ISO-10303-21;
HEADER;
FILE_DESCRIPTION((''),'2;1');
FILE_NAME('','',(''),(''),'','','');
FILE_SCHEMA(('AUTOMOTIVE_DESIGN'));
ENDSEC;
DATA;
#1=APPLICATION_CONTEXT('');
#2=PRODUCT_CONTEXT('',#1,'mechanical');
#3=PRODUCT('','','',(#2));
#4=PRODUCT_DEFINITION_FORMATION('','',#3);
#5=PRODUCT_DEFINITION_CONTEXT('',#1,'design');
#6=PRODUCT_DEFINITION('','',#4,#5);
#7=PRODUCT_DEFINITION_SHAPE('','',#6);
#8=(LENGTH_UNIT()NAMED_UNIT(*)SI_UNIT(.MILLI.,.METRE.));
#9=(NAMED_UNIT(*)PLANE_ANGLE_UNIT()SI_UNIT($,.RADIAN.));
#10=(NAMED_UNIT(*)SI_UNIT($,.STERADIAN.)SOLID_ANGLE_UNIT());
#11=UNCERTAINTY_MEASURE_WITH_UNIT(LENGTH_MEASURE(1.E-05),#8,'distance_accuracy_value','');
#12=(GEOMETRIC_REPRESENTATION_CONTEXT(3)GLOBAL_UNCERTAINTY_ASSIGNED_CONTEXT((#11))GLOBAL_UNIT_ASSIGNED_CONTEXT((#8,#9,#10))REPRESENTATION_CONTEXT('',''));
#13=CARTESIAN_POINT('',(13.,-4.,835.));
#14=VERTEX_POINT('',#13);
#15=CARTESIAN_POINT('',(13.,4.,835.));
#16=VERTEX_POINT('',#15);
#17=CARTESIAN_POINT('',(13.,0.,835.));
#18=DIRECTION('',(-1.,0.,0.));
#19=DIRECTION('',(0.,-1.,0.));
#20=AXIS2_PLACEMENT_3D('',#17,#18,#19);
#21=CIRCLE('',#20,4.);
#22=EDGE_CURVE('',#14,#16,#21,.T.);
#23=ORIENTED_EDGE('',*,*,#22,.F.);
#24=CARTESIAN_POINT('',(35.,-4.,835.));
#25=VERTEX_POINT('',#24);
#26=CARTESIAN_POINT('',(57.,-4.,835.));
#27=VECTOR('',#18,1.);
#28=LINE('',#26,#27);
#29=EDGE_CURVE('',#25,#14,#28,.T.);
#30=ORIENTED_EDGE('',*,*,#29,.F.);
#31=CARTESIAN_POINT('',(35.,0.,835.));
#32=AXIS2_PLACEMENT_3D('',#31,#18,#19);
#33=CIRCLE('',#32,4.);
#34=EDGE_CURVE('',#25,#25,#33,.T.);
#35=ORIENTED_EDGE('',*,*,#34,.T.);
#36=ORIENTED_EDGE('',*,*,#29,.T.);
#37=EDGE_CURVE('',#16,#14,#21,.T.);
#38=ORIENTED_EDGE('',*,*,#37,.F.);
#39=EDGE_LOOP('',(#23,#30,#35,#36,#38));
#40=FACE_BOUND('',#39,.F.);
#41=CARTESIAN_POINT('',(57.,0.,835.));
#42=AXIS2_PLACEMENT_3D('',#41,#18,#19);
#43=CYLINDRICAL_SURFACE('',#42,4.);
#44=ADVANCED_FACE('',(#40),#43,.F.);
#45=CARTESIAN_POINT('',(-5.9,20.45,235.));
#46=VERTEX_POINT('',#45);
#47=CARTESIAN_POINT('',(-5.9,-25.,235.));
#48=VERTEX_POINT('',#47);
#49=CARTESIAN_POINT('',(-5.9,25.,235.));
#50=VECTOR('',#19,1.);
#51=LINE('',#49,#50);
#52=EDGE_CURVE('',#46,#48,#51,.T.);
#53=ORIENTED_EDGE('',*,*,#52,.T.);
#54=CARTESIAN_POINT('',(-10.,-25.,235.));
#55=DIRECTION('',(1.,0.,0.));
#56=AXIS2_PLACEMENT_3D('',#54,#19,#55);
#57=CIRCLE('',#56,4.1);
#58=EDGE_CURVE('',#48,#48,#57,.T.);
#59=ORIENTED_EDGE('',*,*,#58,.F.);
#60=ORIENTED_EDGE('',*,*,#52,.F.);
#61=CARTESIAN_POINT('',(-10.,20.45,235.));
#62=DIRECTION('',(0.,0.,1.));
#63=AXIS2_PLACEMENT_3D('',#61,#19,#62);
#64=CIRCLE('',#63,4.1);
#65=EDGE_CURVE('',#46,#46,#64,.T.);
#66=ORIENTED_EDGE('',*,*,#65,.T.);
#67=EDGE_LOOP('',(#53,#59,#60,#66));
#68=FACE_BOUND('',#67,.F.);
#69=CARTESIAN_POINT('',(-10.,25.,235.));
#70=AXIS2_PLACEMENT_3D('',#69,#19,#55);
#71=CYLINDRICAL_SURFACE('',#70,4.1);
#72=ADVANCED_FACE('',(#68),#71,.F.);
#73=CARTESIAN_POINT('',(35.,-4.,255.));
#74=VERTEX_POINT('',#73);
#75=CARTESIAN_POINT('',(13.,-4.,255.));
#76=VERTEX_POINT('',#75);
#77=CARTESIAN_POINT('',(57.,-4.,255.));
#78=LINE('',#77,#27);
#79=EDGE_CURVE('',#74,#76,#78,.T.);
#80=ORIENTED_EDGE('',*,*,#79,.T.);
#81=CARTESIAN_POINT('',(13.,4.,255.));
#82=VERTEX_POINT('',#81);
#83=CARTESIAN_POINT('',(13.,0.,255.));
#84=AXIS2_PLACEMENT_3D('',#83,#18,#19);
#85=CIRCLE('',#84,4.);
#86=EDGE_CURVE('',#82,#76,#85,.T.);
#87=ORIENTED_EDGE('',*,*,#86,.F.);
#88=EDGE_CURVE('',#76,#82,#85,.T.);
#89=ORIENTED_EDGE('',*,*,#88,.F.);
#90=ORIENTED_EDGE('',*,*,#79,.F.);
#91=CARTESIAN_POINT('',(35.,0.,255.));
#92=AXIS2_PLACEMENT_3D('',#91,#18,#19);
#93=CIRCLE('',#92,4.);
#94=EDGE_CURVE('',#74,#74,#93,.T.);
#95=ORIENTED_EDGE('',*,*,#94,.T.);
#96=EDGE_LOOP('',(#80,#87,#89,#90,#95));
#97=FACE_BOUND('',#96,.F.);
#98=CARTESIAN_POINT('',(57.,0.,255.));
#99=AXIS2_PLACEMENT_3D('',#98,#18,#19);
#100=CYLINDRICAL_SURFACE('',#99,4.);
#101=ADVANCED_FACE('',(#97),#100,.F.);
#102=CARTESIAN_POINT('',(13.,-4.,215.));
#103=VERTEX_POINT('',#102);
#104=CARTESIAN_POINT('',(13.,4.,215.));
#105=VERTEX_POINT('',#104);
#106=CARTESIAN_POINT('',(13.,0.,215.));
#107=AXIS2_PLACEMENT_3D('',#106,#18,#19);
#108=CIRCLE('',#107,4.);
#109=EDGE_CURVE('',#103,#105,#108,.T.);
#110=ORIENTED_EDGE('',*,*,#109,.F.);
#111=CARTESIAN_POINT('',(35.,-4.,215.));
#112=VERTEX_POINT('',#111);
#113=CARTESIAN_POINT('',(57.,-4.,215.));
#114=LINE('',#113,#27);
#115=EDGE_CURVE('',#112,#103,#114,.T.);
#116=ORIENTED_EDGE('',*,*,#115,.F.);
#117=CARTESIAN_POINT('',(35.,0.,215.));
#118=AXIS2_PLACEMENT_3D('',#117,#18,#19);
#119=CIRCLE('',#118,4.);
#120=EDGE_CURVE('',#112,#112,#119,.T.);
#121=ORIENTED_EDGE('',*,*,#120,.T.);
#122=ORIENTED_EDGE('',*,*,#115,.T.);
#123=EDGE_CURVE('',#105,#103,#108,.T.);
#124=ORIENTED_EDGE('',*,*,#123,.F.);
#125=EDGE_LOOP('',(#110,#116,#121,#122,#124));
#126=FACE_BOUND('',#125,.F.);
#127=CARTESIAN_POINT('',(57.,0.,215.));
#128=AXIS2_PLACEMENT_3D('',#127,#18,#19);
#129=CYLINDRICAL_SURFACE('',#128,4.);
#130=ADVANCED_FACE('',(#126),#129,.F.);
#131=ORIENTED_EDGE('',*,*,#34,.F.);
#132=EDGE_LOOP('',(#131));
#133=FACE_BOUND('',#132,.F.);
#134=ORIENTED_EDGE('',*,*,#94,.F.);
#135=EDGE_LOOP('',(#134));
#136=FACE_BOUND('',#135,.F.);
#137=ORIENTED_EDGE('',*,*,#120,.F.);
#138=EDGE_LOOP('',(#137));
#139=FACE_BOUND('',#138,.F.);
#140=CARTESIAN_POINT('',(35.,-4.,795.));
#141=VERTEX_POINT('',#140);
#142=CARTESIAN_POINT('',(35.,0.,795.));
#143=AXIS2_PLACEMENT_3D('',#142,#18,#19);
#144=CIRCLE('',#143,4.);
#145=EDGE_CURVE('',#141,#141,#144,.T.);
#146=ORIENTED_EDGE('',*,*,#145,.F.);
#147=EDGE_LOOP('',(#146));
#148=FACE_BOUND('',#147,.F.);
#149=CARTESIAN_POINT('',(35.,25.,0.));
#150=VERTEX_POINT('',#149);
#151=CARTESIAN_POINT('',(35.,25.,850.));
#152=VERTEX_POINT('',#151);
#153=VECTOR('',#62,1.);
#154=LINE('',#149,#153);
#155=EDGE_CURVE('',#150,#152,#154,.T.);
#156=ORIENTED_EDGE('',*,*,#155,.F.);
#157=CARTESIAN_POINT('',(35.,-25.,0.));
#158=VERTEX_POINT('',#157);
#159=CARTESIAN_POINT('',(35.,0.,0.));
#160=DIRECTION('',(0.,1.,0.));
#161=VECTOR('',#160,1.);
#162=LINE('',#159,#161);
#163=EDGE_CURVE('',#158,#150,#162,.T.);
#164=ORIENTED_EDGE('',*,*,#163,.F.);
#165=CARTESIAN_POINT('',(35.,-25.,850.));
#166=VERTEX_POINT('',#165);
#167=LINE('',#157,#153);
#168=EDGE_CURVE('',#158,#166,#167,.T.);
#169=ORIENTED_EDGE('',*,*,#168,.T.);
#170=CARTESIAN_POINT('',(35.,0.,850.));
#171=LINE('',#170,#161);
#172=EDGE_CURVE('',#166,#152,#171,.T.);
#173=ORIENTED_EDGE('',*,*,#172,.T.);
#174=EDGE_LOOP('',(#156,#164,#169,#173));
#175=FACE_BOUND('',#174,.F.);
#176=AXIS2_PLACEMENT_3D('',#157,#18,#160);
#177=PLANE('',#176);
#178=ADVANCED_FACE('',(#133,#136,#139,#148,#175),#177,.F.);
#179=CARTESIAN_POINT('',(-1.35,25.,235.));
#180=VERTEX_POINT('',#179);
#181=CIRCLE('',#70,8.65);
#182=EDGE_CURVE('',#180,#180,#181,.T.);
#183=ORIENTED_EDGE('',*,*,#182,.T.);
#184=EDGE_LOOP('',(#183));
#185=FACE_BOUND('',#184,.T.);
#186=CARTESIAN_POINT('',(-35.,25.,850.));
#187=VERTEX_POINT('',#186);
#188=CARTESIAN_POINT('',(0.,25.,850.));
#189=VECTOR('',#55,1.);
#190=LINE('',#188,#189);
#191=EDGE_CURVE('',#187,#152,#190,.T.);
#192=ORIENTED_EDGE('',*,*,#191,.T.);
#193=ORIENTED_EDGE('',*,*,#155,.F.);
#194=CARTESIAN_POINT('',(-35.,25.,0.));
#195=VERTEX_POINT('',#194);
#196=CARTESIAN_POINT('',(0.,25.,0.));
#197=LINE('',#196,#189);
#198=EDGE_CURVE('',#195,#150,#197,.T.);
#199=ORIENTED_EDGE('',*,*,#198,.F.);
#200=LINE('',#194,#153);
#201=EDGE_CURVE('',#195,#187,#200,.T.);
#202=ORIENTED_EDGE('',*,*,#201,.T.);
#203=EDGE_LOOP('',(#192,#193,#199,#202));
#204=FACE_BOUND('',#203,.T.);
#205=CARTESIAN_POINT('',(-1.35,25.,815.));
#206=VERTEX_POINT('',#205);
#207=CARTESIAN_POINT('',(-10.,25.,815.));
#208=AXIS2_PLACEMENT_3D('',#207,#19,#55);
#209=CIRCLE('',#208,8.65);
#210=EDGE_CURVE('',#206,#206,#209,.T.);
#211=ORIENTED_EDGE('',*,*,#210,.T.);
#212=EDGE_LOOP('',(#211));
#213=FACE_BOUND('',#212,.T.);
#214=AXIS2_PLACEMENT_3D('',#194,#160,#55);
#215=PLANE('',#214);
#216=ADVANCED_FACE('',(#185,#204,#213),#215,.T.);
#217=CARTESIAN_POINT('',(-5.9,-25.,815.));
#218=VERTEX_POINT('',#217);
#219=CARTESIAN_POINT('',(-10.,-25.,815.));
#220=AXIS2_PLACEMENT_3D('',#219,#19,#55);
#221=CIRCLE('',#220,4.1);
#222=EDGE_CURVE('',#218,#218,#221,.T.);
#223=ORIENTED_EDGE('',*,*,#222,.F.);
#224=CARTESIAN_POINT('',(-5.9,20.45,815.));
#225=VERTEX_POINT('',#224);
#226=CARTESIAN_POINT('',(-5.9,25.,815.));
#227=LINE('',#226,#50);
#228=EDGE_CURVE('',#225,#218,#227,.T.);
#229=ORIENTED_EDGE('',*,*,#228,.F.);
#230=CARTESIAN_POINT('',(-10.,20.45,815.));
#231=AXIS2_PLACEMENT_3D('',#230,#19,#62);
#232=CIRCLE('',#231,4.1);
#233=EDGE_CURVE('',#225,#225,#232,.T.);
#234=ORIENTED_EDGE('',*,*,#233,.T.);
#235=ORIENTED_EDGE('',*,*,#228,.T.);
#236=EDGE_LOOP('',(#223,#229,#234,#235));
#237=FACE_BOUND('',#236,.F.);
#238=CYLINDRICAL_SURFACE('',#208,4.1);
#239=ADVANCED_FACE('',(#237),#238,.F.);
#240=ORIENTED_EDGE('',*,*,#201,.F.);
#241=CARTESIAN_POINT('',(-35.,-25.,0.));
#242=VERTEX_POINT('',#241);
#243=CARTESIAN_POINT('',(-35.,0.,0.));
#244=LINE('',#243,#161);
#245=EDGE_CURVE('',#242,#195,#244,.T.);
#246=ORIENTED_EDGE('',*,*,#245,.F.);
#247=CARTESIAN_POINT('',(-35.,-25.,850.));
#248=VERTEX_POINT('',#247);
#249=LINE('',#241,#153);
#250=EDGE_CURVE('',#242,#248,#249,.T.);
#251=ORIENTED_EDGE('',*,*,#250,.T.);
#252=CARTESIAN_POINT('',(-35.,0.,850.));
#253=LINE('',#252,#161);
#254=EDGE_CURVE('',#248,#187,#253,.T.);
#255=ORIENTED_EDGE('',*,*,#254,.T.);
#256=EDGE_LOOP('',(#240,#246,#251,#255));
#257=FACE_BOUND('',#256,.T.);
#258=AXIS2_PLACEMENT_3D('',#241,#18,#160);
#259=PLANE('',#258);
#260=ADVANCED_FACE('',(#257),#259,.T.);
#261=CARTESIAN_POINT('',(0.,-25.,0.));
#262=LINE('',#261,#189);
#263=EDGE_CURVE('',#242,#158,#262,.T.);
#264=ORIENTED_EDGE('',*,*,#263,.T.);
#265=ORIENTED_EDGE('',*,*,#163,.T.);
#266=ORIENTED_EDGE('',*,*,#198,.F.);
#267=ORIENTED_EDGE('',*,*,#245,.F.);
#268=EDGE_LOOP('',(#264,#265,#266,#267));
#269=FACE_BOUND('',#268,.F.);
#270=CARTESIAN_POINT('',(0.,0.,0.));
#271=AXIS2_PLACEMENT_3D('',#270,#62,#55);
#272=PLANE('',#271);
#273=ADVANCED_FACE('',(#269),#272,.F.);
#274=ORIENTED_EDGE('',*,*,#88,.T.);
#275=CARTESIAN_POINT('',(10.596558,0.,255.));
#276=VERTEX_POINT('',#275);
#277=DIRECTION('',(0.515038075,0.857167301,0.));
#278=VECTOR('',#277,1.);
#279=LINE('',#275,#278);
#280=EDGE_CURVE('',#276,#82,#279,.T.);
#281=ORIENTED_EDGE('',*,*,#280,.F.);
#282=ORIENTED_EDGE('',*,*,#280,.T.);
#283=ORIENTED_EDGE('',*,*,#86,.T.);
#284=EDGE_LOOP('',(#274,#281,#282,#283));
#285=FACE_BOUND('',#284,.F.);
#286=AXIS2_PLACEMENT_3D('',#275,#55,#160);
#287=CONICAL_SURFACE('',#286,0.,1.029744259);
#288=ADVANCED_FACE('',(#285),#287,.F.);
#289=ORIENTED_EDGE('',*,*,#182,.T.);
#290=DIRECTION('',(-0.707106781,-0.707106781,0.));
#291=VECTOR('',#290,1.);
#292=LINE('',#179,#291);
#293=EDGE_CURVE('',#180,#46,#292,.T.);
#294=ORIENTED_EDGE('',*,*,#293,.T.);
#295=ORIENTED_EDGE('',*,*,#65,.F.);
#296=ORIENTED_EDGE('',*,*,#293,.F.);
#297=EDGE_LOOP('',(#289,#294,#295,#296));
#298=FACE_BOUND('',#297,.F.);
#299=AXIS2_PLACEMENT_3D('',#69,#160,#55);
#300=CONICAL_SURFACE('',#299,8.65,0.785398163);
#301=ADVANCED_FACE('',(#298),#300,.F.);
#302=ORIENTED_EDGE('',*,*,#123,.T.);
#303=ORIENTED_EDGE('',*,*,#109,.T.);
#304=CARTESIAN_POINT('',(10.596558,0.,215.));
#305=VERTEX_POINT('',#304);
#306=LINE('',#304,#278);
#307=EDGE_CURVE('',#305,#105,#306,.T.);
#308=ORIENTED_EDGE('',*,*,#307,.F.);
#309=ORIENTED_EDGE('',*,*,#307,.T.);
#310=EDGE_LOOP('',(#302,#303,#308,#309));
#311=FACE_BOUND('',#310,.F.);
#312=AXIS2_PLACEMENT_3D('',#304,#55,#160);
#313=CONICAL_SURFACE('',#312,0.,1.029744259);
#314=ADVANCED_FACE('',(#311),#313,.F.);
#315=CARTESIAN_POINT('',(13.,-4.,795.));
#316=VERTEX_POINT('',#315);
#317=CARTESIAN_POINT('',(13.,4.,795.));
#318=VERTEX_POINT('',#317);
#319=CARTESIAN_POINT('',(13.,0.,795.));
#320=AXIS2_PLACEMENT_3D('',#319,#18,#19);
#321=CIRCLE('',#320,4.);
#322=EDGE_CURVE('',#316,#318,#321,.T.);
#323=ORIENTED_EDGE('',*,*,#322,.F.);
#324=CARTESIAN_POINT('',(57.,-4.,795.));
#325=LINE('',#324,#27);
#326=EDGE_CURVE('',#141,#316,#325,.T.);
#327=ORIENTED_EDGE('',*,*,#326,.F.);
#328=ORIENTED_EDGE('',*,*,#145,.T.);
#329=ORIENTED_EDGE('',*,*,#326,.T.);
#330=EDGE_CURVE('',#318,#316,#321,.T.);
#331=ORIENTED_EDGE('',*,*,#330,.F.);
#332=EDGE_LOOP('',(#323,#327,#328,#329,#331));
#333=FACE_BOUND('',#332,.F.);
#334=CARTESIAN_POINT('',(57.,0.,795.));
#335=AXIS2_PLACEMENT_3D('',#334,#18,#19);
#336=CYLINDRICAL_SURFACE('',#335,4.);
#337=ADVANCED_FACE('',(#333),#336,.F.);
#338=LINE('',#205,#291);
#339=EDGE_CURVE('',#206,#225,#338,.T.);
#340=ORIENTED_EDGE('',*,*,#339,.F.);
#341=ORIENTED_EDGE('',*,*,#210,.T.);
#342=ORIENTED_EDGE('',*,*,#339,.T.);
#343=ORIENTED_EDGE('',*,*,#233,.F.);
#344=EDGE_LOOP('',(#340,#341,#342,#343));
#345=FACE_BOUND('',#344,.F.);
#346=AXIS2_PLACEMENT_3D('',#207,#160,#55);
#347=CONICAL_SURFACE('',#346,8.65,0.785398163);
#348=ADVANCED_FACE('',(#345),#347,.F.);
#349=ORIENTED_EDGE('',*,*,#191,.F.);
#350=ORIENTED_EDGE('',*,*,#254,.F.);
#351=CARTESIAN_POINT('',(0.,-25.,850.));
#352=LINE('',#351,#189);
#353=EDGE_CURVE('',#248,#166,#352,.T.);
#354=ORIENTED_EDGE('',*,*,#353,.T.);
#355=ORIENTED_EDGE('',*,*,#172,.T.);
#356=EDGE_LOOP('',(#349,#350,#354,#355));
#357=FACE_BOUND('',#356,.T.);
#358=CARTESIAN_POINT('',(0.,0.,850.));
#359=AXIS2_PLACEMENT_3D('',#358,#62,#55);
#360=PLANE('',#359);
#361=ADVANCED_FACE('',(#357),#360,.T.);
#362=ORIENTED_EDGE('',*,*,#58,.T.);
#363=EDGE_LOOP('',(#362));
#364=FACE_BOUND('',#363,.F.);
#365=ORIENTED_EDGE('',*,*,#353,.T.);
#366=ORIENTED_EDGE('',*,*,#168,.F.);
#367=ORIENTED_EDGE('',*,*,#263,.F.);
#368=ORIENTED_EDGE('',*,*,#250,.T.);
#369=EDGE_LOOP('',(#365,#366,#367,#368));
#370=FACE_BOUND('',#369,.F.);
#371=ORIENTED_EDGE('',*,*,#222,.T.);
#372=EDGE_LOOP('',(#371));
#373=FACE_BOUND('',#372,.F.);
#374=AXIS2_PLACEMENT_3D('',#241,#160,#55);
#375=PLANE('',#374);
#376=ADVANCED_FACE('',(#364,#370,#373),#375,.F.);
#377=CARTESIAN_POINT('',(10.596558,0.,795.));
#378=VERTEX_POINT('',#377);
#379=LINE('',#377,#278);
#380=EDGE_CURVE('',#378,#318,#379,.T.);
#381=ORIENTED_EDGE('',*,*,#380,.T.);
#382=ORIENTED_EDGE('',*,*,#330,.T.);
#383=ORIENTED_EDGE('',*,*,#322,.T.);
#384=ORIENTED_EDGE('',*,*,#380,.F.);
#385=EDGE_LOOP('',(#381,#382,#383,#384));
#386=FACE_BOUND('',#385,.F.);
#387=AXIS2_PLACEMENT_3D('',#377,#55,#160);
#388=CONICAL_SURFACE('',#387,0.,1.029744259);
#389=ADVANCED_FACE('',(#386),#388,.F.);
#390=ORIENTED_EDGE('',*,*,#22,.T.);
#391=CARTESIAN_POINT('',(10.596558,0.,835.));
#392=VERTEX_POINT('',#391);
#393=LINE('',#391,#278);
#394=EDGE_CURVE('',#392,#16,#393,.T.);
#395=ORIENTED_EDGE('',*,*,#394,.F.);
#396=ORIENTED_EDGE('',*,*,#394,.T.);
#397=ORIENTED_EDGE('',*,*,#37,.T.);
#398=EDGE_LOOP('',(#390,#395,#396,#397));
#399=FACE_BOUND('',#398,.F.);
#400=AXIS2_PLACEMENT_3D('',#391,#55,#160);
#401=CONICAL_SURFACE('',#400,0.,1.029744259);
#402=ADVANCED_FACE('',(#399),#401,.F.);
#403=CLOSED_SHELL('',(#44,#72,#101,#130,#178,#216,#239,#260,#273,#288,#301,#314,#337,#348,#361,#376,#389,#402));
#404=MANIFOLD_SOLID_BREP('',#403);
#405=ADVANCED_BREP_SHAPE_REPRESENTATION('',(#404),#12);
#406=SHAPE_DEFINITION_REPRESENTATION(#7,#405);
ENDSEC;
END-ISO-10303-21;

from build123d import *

# Parameters (mm, degrees)
F0_W           = 70
F0_H           = 50
F1_DEPTH       = 850
F3_D           = 8
F3_DEPTH       = 22
F3_TIP         = 2.4034424761
F5_D           = 8.2
F5_CSINK_D     = 17.3
F5_CSINK_ANGLE = 90


with BuildPart() as f1:
    # F0 (on Top) → F1 (new body)
    with BuildSketch(Plane.XY):
        Rectangle(F0_W, F0_H)
    extrude(amount=F1_DEPTH)

    # F3
    with Locations(Plane.YZ.offset(35)):
        with Locations((0, 215), (0, 255), (0, 795), (0, 835)):
            Hole(F3_D / 2, depth=F3_DEPTH)
            with Locations((0, 0, -(F3_DEPTH + F3_TIP / 2))):  # 118° drill point
                Cone(0, F3_D / 2, F3_TIP, mode=Mode.SUBTRACT)

    # F5 (through all)
    with Locations(Plane(origin=(0, 25, 0), x_dir=(-1, 0, 0), z_dir=(0, 1, 0))):
        with Locations((10, 235), (10, 815)):
            CounterSinkHole(F5_D / 2, F5_CSINK_D / 2, counter_sink_angle=F5_CSINK_ANGLE)


solid = f1.part
